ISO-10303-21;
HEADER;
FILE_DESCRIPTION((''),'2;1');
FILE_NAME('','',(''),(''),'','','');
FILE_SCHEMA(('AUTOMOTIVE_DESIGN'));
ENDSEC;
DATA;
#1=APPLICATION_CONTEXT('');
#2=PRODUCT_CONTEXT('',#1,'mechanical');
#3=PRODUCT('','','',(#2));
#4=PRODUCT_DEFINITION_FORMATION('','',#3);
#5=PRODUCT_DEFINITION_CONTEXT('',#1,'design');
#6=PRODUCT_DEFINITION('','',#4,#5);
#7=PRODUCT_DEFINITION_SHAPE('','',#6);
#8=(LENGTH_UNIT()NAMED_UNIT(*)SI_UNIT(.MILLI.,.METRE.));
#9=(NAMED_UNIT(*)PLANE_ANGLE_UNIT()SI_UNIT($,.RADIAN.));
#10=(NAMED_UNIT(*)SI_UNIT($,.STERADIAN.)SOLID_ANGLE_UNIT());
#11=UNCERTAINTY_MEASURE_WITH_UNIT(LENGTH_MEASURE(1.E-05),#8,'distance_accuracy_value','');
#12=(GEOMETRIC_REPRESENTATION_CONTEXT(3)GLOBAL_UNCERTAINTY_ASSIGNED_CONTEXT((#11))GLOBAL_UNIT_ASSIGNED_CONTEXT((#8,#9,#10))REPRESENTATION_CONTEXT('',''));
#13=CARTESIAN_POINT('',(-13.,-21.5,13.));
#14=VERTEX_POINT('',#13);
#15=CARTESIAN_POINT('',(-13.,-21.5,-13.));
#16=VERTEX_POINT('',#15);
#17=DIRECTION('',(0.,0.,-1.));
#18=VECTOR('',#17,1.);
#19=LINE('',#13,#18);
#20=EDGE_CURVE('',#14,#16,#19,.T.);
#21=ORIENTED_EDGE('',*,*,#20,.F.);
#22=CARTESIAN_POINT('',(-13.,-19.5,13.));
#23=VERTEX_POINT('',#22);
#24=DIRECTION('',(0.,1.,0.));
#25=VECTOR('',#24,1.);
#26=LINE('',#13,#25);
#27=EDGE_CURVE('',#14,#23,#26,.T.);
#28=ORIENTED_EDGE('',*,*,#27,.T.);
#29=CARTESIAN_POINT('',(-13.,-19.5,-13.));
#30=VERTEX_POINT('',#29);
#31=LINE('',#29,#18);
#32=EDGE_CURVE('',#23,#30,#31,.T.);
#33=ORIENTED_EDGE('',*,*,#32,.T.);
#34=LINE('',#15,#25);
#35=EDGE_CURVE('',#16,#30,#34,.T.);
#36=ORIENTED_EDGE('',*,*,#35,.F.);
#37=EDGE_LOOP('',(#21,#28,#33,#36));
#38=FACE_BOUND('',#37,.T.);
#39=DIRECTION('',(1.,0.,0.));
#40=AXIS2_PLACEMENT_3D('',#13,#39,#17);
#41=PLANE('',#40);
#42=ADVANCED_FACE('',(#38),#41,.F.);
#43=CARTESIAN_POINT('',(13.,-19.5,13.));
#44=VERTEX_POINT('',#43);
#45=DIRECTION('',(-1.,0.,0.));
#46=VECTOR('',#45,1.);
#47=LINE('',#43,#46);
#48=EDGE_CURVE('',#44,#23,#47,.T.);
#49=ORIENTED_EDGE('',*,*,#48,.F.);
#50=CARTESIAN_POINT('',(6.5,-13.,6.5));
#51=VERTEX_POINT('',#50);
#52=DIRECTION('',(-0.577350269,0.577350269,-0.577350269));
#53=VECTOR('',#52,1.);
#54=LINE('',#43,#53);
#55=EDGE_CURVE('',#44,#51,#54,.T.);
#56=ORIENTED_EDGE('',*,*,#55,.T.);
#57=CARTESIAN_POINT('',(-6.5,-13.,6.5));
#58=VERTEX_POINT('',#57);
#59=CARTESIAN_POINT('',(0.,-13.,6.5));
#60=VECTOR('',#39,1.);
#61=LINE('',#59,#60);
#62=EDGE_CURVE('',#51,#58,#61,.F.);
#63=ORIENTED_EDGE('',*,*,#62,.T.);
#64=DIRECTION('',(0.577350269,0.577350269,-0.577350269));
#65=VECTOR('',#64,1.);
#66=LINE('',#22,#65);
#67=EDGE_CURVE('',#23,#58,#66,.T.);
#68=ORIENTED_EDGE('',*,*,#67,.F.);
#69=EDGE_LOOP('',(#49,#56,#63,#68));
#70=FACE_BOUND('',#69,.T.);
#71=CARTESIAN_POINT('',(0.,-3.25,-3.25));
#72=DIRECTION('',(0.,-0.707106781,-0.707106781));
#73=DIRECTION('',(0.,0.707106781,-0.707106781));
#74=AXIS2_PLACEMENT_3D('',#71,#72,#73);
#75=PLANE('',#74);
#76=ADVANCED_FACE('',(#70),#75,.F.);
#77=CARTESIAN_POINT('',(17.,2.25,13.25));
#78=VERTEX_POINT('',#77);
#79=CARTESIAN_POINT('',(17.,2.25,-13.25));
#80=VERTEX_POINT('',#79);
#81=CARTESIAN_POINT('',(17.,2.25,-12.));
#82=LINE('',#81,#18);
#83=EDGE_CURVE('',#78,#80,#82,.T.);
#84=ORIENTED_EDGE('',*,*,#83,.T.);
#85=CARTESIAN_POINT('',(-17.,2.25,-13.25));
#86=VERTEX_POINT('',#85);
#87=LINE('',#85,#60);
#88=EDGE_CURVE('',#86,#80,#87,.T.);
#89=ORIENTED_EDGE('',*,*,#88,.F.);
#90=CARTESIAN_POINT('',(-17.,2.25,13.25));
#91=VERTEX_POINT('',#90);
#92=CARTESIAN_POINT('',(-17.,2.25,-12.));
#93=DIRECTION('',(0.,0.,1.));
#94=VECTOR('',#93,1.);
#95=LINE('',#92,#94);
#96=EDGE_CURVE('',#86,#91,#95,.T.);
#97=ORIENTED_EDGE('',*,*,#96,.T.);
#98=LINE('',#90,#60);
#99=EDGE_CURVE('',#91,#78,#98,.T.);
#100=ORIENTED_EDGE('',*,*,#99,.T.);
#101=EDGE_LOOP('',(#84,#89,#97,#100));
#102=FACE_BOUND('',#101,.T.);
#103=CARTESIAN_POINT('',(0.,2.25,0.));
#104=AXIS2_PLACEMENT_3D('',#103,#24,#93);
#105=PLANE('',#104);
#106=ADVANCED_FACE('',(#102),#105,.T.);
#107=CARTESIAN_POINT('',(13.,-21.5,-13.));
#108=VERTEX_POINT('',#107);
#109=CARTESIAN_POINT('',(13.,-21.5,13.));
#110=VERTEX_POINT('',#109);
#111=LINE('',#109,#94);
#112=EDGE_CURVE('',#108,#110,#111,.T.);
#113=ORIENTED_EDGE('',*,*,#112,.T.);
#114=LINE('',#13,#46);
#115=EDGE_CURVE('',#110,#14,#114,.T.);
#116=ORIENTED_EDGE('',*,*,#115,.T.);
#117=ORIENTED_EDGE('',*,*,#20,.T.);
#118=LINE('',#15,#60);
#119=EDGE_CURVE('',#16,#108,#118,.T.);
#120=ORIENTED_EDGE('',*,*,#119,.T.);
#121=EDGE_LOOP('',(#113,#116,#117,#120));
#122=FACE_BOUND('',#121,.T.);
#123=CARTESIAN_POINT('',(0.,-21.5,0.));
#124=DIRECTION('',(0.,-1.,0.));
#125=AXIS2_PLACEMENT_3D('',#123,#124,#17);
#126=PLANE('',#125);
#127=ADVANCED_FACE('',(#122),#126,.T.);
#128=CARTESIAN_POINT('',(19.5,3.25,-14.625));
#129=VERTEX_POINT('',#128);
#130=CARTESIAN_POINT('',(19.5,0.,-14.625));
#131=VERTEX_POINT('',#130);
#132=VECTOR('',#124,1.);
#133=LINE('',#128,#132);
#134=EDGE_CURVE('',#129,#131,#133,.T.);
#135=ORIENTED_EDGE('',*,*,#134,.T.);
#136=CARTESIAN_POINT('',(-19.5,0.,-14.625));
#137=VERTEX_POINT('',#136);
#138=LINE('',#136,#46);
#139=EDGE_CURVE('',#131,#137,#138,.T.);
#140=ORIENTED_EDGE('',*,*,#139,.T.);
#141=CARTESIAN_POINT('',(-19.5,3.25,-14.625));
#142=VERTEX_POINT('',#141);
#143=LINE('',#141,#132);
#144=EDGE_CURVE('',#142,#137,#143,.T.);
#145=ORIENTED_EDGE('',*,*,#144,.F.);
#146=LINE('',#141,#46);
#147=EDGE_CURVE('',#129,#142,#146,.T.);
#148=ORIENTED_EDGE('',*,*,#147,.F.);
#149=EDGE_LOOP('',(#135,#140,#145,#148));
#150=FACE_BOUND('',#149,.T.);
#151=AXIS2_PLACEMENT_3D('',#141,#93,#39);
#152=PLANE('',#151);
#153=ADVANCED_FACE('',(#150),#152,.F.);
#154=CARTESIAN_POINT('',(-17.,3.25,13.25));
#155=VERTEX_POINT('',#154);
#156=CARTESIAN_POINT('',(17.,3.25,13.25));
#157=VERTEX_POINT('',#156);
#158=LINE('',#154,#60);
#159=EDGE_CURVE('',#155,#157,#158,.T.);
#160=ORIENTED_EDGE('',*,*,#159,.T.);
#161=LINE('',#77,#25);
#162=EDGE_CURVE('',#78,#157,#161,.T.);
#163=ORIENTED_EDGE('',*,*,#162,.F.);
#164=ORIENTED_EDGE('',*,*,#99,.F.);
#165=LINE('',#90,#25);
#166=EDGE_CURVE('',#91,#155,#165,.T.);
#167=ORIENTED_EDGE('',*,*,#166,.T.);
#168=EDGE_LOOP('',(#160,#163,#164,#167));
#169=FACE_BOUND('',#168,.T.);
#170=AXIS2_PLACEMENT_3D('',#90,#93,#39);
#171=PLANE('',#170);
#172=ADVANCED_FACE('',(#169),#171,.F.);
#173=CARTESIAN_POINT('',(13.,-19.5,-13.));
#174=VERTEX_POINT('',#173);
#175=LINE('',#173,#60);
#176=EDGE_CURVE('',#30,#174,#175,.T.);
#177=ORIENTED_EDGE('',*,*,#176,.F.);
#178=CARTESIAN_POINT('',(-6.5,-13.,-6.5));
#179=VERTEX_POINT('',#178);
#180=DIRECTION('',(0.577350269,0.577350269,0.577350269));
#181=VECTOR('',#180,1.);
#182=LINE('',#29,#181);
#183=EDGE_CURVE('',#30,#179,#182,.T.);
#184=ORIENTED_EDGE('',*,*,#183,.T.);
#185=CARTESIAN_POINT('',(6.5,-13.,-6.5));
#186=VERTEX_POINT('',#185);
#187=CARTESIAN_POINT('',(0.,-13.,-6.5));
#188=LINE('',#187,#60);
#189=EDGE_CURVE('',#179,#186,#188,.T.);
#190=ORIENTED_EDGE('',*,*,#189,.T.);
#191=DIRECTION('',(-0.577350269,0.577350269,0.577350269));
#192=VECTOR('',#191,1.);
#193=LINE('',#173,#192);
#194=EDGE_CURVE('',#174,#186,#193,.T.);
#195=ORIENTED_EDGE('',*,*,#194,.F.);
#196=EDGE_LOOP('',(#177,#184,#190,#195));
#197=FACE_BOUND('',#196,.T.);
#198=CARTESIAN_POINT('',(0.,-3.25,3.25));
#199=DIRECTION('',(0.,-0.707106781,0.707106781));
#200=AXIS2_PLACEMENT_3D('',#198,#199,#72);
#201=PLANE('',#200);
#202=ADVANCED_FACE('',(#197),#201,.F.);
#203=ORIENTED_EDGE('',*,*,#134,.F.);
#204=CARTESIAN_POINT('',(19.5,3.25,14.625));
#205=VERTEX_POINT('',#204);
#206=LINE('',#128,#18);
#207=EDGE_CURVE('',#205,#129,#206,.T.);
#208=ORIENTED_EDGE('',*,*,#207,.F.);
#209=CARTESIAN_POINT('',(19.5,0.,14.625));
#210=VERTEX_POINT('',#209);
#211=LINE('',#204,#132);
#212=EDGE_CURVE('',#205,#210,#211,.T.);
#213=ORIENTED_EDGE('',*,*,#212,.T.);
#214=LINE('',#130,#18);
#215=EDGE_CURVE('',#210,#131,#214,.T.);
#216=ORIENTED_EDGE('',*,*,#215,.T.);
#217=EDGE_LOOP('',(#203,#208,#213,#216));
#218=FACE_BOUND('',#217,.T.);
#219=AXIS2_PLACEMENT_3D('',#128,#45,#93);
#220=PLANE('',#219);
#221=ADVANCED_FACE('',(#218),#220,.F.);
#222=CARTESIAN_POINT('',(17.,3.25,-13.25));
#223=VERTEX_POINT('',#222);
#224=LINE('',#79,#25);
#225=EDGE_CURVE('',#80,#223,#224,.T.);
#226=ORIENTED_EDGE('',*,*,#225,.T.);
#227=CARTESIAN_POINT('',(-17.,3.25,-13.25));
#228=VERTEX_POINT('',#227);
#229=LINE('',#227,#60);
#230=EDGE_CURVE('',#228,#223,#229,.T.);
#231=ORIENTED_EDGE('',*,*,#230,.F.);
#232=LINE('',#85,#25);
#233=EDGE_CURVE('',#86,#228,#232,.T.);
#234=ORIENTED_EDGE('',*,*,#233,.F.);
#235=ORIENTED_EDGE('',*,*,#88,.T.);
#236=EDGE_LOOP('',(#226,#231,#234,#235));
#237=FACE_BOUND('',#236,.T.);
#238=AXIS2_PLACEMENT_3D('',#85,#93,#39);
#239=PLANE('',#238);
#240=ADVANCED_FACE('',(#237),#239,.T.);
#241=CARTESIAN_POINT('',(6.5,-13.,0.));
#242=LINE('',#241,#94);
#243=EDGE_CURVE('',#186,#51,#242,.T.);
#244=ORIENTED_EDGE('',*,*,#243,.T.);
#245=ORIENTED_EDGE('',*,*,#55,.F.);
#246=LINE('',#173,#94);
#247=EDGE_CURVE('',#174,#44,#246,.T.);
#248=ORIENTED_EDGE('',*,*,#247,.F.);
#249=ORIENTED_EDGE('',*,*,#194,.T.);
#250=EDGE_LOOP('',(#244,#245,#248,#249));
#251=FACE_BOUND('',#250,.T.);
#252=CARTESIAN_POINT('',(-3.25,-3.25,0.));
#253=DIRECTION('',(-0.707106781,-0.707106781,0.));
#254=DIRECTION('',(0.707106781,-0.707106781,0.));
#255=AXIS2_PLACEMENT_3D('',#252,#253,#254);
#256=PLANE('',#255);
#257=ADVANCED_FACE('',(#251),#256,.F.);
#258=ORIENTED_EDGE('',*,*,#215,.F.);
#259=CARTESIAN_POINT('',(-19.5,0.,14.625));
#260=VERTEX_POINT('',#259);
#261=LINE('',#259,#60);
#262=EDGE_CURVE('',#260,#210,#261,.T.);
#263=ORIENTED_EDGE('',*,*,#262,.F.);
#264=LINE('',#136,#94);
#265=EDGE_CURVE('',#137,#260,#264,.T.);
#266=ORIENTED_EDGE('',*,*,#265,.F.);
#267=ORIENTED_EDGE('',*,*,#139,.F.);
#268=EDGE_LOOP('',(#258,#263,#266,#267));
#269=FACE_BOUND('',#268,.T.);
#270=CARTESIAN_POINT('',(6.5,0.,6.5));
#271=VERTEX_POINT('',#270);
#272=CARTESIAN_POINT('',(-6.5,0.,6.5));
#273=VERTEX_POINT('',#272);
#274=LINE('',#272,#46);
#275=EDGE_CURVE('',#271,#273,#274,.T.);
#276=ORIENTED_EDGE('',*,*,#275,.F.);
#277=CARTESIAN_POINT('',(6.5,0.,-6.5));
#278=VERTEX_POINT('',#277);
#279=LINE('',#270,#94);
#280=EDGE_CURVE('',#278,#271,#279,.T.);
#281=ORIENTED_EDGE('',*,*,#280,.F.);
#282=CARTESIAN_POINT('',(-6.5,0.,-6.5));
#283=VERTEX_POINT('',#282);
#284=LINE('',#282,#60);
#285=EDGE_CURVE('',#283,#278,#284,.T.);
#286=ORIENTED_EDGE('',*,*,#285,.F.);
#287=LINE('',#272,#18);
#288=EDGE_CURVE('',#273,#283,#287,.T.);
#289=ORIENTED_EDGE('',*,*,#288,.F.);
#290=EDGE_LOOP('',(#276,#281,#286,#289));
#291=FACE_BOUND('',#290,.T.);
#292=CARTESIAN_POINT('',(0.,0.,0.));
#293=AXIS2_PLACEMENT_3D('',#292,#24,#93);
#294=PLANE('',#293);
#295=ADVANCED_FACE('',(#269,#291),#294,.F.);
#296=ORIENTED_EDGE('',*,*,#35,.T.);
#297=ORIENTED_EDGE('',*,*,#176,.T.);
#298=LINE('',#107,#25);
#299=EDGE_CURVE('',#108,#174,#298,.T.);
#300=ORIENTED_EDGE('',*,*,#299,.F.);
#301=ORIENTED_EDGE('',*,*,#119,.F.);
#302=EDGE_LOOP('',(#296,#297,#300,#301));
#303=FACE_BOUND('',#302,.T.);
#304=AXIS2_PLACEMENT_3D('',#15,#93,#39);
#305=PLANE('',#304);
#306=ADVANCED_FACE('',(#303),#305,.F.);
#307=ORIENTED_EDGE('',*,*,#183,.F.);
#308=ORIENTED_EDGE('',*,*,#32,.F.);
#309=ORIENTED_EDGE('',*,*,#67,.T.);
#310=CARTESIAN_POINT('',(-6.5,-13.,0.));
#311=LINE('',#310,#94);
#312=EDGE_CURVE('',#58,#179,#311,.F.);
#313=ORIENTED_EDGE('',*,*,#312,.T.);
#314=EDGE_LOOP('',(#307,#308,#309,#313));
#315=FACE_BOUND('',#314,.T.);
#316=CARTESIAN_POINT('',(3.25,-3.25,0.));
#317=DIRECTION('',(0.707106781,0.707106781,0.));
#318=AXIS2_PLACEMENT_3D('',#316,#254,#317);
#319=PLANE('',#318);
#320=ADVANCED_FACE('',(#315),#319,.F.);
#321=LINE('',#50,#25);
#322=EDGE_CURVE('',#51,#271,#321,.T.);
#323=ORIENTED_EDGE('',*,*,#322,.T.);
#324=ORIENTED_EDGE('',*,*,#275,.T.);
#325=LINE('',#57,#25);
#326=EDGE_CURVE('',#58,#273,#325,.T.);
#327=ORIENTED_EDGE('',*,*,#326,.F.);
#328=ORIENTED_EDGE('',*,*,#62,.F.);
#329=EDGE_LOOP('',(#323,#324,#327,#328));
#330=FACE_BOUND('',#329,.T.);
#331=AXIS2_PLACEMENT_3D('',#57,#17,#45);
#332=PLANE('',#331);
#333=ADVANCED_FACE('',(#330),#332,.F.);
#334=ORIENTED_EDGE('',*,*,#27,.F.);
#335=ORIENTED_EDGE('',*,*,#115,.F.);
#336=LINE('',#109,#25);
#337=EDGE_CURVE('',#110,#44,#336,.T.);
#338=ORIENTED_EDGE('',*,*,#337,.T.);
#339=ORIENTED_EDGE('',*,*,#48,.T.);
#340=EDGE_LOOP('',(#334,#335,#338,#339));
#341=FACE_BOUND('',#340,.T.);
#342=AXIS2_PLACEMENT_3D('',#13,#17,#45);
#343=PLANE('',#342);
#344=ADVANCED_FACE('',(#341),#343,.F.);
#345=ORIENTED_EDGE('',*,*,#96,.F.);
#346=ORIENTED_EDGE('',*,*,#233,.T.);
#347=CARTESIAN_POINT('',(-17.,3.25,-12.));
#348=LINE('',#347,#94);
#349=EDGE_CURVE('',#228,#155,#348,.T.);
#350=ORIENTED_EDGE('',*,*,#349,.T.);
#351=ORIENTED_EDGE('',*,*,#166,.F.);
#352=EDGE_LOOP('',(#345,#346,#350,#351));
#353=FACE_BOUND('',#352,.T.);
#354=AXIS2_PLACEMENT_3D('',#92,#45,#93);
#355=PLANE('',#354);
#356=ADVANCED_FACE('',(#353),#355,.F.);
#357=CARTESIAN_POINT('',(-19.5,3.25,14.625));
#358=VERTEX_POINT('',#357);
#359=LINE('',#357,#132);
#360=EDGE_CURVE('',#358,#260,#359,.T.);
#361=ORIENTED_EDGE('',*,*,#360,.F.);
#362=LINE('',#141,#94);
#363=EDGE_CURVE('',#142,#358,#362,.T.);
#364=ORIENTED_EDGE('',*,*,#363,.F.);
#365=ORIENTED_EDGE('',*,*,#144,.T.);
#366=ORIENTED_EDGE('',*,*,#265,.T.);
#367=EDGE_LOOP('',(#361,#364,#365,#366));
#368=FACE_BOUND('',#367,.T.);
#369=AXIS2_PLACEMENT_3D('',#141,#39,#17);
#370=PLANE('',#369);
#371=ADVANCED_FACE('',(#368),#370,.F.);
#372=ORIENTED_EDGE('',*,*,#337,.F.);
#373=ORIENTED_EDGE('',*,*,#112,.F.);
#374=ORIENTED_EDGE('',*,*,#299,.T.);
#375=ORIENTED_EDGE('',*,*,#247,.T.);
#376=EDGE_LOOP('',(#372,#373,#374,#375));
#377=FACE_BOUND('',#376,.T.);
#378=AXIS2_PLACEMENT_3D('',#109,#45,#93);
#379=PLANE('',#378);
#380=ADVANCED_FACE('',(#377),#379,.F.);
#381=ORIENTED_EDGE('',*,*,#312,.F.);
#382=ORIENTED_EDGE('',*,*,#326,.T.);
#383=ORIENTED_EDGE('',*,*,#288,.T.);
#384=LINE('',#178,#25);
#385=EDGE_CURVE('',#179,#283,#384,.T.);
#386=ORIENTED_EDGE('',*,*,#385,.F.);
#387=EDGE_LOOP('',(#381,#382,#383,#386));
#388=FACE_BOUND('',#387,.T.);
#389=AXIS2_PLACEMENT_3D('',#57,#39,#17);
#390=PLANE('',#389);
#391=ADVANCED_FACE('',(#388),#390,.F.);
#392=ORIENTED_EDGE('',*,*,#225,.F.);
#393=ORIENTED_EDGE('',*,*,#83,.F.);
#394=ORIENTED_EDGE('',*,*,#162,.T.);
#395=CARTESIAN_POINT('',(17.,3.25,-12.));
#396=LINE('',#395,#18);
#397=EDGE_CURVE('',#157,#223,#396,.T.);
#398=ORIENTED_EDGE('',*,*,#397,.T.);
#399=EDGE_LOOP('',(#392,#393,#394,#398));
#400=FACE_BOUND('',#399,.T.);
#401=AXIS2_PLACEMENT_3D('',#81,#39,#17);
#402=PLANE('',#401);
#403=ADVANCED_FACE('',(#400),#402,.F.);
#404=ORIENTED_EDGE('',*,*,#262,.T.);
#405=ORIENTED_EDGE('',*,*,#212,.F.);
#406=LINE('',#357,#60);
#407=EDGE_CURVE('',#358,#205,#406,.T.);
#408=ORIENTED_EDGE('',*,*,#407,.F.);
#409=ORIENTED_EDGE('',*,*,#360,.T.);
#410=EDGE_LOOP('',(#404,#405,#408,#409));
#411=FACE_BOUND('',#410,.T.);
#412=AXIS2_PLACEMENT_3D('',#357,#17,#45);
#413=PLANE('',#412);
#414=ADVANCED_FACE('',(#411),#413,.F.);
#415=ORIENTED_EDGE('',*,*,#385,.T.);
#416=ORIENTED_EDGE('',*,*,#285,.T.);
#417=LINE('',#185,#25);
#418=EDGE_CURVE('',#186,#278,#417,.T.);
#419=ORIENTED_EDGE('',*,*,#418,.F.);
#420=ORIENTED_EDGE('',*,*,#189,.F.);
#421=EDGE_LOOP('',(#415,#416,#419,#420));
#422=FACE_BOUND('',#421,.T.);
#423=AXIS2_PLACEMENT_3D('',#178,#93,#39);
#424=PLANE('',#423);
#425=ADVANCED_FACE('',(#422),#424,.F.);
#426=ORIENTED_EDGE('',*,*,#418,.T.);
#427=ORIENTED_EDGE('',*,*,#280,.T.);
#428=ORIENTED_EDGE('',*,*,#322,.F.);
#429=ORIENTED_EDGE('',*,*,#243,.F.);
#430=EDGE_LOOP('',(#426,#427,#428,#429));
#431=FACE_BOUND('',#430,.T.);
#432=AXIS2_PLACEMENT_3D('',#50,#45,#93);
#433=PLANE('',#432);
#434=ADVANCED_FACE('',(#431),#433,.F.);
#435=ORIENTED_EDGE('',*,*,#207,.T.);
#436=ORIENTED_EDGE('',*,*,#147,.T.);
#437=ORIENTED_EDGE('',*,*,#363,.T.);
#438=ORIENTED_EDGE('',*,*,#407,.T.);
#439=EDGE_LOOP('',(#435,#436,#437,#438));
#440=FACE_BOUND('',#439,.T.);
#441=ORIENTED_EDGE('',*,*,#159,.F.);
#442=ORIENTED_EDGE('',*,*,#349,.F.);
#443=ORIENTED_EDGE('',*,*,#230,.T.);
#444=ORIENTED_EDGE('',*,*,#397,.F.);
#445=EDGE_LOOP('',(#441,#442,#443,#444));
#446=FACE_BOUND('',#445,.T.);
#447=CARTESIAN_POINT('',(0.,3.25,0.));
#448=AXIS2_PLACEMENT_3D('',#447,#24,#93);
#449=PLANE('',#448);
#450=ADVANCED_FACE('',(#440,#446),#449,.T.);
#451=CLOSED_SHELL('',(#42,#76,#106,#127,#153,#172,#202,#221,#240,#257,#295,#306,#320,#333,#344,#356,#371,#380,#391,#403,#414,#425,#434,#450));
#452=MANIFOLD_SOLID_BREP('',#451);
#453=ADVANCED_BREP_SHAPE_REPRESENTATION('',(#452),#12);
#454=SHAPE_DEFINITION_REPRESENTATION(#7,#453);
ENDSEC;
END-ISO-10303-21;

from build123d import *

# Parameters (mm, degrees)
SKETCH1_W           = 39
SKETCH1_H           = 29.25
BOSS_EXTRUDE1_DEPTH = 3.25
SKETCH3_W           = 13
SKETCH3_H           = 13
BOSS_EXTRUDE3_DEPTH = 13
SKETCH5_W           = 34
SKETCH5_H           = 24
CUT_EXTRUDE1_DEPTH  = 1
SKETCH6_W           = 26
SKETCH6_H           = 26
BOSS_EXTRUDE4_DEPTH = 2
SKETCH8_W           = 34
SKETCH8_H           = 1.25
CUT_EXTRUDE2_DEPTH  = 1


with BuildPart() as part:
    # Sketch1 → Boss-Extrude1 (new body)
    with BuildSketch(Plane(origin=(0, 0, 0), x_dir=(1, 0, 0), z_dir=(0, 1, 0))):
        Rectangle(SKETCH1_W, SKETCH1_H)
    extrude(amount=BOSS_EXTRUDE1_DEPTH)

    # Sketch3 → Boss-Extrude3 (add)
    with BuildSketch(Plane.XZ):
        Rectangle(SKETCH3_W, SKETCH3_H)
    extrude(amount=BOSS_EXTRUDE3_DEPTH)

    # Sketch4 → section 0 of loft1
    with BuildSketch(Plane(origin=(0, -19.5, 0), x_dir=(-1, 0, 0), z_dir=(0, -1, 0)), mode=Mode.PRIVATE) as loft1_s0:
        with BuildLine():
            Line((-13, 13), (13, 13))
            Line((13, 13), (13, -13))
            Line((13, -13), (-13, -13))
            Line((-13, -13), (-13, 13))
        make_face()
    # loft up to a face of the part (loft1)
    loft([loft1_s0.sketch, part.faces().sort_by_distance((0, -13, 0))[0]])

    # Sketch5 → Cut-Extrude1 (cut)
    with BuildSketch(Plane(origin=(0, 3.25, 0), x_dir=(1, 0, 0), z_dir=(0, 1, 0))):
        Rectangle(SKETCH5_W, SKETCH5_H)
    extrude(amount=-CUT_EXTRUDE1_DEPTH, mode=Mode.SUBTRACT)

    # Sketch6 → Boss-Extrude4 (add)
    with BuildSketch(Plane.XZ.offset(19.5)):
        Rectangle(SKETCH6_W, SKETCH6_H)
    extrude(amount=BOSS_EXTRUDE4_DEPTH)

    # Sketch8 → Cut-Extrude2 (cut)
    with BuildSketch(Plane(origin=(0, 3.25, 0), x_dir=(1, 0, 0), z_dir=(0, 1, 0))):
        with Locations((0, -12.625)):
            Rectangle(SKETCH8_W, SKETCH8_H)
    cut_extrude2 = extrude(amount=-CUT_EXTRUDE2_DEPTH, mode=Mode.SUBTRACT)

    # Mirror1: Cut-Extrude2 across plane
    add(cut_extrude2.mirror(Plane.XY), mode=Mode.SUBTRACT)


solid = part.part
